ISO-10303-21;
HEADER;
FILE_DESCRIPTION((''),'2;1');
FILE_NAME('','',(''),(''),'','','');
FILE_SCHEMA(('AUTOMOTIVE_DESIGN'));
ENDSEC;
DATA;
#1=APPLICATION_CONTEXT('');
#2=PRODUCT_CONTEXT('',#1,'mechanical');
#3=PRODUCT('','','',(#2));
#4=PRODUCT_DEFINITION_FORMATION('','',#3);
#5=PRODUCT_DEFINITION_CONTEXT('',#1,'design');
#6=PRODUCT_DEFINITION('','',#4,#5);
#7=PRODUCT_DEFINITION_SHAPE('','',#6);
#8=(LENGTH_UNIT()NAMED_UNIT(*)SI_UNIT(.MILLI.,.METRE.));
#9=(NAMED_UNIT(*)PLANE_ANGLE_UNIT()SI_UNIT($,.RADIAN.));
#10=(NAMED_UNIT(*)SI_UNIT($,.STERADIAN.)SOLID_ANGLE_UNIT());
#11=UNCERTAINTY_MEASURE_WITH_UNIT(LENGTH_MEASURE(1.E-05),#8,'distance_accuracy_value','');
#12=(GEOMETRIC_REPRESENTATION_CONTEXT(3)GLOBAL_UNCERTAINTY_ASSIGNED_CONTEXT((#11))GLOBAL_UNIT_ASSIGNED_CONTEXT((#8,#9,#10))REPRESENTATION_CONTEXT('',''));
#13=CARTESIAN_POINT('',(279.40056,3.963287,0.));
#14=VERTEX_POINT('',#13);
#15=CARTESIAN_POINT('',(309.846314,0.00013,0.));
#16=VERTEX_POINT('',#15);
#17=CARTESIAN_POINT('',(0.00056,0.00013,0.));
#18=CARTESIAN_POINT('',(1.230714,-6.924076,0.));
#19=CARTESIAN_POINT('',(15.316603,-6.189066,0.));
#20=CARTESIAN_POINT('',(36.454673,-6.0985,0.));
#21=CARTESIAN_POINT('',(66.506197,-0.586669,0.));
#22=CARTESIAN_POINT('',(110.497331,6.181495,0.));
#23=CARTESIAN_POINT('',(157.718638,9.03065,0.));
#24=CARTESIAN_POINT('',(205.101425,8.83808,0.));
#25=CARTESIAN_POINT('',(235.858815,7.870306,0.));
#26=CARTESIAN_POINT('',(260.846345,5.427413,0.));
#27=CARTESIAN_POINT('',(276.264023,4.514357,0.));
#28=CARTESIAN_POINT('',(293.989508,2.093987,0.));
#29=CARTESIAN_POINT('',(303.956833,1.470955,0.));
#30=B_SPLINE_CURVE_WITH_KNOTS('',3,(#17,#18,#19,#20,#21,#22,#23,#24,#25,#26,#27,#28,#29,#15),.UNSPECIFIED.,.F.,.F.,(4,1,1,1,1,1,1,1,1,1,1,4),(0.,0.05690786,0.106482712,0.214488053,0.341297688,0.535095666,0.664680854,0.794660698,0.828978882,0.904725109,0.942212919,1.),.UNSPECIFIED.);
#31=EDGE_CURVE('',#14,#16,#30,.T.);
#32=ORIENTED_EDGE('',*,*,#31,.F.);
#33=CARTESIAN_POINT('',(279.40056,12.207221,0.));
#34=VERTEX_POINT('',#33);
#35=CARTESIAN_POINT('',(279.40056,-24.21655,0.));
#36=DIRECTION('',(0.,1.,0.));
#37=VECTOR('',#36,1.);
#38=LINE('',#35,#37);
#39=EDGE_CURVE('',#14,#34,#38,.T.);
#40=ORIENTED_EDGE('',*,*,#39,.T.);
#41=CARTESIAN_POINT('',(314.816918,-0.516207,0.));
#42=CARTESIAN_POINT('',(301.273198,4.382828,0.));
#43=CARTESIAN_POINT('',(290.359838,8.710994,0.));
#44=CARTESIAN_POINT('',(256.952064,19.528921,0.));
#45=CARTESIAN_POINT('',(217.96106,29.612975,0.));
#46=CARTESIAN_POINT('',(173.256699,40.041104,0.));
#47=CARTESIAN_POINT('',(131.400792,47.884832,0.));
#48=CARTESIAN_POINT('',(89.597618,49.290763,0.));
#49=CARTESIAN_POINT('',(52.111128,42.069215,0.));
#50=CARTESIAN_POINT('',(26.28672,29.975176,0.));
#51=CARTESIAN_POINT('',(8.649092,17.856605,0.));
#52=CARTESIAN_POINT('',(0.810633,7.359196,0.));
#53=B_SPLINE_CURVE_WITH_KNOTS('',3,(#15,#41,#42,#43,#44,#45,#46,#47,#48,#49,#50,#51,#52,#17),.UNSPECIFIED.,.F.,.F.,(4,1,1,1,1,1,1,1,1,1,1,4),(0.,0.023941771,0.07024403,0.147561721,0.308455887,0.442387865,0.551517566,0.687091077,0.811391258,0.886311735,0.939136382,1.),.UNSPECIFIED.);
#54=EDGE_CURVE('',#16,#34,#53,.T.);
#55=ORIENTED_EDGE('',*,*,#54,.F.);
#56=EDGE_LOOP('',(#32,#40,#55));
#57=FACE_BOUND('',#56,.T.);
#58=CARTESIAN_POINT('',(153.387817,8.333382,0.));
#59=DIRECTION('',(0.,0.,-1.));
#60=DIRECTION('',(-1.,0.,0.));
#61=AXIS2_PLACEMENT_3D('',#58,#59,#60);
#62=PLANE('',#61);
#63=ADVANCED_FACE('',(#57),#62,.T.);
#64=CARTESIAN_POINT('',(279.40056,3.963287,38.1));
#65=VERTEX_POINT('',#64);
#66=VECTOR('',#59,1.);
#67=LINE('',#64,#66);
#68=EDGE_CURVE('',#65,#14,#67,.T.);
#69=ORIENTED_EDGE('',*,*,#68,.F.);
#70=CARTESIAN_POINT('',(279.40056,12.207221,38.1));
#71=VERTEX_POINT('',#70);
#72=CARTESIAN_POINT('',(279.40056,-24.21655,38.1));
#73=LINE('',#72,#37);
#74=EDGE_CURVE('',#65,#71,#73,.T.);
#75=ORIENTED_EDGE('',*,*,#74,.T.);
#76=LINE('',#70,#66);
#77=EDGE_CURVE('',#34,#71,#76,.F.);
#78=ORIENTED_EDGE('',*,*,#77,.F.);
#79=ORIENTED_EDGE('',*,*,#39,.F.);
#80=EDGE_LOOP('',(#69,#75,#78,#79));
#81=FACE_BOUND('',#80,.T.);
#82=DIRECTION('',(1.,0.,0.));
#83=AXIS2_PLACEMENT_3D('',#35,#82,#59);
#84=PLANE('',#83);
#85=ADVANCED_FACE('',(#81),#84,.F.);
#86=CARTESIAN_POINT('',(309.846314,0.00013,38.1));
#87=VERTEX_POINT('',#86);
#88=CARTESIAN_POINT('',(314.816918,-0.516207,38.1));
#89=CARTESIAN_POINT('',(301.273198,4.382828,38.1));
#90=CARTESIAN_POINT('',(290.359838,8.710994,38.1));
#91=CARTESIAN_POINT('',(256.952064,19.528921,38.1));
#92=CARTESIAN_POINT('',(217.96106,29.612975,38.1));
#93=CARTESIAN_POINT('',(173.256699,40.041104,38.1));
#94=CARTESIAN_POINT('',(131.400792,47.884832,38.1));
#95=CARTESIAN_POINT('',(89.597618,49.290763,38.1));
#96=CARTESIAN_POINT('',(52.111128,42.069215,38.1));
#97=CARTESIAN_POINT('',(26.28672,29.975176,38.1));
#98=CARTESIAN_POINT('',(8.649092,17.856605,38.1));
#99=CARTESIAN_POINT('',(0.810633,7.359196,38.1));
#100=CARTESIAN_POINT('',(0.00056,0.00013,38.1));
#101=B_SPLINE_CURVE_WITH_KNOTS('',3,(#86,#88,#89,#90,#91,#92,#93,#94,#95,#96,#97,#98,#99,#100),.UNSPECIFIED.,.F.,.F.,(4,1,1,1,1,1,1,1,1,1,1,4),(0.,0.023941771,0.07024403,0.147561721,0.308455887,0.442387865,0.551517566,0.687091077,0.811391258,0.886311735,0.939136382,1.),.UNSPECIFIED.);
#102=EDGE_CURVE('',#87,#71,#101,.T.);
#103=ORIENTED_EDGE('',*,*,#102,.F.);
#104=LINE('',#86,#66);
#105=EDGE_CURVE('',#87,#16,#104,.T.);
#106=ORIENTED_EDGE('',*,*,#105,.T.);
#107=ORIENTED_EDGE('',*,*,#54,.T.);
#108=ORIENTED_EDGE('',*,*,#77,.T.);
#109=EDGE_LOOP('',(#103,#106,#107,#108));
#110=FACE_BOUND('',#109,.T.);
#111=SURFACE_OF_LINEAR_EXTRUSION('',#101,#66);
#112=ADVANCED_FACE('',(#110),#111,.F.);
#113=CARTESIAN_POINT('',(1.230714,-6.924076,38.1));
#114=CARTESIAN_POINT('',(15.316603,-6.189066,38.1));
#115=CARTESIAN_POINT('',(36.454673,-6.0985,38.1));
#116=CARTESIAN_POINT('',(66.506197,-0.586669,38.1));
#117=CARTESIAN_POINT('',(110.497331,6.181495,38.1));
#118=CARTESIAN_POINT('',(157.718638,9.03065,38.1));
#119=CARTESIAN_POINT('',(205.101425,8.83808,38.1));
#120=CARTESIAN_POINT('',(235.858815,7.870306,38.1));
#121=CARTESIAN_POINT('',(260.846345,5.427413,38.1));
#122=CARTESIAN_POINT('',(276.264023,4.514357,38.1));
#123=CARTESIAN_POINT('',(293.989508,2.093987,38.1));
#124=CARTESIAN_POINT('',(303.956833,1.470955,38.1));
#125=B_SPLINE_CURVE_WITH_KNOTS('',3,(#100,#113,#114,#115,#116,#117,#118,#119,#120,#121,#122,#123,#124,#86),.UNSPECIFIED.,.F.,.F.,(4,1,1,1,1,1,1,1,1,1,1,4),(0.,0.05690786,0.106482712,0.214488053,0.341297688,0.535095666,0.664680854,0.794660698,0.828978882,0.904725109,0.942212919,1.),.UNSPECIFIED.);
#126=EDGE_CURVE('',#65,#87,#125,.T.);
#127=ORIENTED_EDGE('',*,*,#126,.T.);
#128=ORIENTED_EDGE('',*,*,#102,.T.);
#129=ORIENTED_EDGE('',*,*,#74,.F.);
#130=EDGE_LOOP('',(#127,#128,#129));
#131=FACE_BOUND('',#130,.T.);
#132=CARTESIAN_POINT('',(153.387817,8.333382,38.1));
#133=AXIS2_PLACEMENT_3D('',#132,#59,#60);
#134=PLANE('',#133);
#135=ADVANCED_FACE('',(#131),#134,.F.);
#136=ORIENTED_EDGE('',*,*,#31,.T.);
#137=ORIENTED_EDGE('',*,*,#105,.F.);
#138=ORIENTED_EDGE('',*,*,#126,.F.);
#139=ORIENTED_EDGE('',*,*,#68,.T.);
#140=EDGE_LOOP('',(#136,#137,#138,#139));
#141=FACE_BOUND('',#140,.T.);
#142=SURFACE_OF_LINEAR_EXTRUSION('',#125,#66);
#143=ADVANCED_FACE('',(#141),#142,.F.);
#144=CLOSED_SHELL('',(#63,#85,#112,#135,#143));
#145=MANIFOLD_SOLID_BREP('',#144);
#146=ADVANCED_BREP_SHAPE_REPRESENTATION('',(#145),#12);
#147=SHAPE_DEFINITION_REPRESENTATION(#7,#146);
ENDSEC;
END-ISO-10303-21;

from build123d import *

# Parameters (mm, degrees)
BOSS_EXTRUDE1_DEPTH = 38.1
SKETCH2_R           = 6.35
SKETCH2_R_2         = 3.175
CUT_EXTRUDE1_DEPTH  = 319.018514003
SKETCH4_W           = 288.716015118
SKETCH4_H           = 117.489254048
CUT_EXTRUDE3_DEPTH  = 319.018514003


with BuildPart() as part:
    # Sketch1 → Boss-Extrude1 (new body)
    with BuildSketch(Plane.XY):
        with BuildLine():
            add(Edge.make_bspline(
                [(0.000560351, 0.000130087), (0.810633127, 7.359196055), (8.649092025, 17.856605174), (26.286719818, 29.975176328), (52.111128271, 42.069215275), (89.597618475, 49.290763054), (131.400792109, 47.884831915), (173.256699242, 40.041104278), (217.961060472, 29.612974894), (256.952064401, 19.528920948), (290.35983767, 8.71099439), (301.273197721, 4.382828139), (314.816918223, -0.516206742), (309.846313895, 0.000130087)],
                knots=[0, 0, 0, 0, 0.060863618, 0.113688265, 0.188608742, 0.312908923, 0.448482434, 0.557612135, 0.691544113, 0.852438279, 0.92975597, 0.976058229, 1, 1, 1, 1], degree=3))
            add(Edge.make_bspline(
                [(309.846313895, 0.000130087), (303.956832565, 1.47095521), (293.989507544, 2.093987313), (276.26402299, 4.514356704), (260.846344817, 5.427413394), (235.858814759, 7.870306192), (205.101424636, 8.838080282), (157.718638092, 9.030650149), (110.497331172, 6.181495223), (66.506197185, -0.586669107), (36.454672816, -6.098499901), (15.316603331, -6.189065841), (1.230714189, -6.924076091), (0.000560351, 0.000130087)],
                knots=[0, 0, 0, 0, 0.057787081, 0.095274891, 0.171021118, 0.205339302, 0.335319146, 0.464904334, 0.658702312, 0.785511947, 0.893517288, 0.94309214, 1, 1, 1, 1], degree=3))
        make_face()
    extrude(amount=BOSS_EXTRUDE1_DEPTH)

    # Sketch2 → Cut-Extrude1 (cut, through all)
    with BuildSketch(Plane.XY.offset(38.1)):
        with Locations((20.32, 10.16)):
            Circle(SKETCH2_R)
        with Locations((227.296313895, 19.050130087)):
            Circle(SKETCH2_R_2)
    extrude(amount=-CUT_EXTRUDE1_DEPTH, mode=Mode.SUBTRACT)

    # Sketch4 → Cut-Extrude3 (cut, through all)
    with BuildSketch(Plane.XY.offset(38.1)):
        with Locations((135.042552792, 34.528076629)):
            Rectangle(SKETCH4_W, SKETCH4_H)
    extrude(amount=-CUT_EXTRUDE3_DEPTH, mode=Mode.SUBTRACT)


solid = part.part
